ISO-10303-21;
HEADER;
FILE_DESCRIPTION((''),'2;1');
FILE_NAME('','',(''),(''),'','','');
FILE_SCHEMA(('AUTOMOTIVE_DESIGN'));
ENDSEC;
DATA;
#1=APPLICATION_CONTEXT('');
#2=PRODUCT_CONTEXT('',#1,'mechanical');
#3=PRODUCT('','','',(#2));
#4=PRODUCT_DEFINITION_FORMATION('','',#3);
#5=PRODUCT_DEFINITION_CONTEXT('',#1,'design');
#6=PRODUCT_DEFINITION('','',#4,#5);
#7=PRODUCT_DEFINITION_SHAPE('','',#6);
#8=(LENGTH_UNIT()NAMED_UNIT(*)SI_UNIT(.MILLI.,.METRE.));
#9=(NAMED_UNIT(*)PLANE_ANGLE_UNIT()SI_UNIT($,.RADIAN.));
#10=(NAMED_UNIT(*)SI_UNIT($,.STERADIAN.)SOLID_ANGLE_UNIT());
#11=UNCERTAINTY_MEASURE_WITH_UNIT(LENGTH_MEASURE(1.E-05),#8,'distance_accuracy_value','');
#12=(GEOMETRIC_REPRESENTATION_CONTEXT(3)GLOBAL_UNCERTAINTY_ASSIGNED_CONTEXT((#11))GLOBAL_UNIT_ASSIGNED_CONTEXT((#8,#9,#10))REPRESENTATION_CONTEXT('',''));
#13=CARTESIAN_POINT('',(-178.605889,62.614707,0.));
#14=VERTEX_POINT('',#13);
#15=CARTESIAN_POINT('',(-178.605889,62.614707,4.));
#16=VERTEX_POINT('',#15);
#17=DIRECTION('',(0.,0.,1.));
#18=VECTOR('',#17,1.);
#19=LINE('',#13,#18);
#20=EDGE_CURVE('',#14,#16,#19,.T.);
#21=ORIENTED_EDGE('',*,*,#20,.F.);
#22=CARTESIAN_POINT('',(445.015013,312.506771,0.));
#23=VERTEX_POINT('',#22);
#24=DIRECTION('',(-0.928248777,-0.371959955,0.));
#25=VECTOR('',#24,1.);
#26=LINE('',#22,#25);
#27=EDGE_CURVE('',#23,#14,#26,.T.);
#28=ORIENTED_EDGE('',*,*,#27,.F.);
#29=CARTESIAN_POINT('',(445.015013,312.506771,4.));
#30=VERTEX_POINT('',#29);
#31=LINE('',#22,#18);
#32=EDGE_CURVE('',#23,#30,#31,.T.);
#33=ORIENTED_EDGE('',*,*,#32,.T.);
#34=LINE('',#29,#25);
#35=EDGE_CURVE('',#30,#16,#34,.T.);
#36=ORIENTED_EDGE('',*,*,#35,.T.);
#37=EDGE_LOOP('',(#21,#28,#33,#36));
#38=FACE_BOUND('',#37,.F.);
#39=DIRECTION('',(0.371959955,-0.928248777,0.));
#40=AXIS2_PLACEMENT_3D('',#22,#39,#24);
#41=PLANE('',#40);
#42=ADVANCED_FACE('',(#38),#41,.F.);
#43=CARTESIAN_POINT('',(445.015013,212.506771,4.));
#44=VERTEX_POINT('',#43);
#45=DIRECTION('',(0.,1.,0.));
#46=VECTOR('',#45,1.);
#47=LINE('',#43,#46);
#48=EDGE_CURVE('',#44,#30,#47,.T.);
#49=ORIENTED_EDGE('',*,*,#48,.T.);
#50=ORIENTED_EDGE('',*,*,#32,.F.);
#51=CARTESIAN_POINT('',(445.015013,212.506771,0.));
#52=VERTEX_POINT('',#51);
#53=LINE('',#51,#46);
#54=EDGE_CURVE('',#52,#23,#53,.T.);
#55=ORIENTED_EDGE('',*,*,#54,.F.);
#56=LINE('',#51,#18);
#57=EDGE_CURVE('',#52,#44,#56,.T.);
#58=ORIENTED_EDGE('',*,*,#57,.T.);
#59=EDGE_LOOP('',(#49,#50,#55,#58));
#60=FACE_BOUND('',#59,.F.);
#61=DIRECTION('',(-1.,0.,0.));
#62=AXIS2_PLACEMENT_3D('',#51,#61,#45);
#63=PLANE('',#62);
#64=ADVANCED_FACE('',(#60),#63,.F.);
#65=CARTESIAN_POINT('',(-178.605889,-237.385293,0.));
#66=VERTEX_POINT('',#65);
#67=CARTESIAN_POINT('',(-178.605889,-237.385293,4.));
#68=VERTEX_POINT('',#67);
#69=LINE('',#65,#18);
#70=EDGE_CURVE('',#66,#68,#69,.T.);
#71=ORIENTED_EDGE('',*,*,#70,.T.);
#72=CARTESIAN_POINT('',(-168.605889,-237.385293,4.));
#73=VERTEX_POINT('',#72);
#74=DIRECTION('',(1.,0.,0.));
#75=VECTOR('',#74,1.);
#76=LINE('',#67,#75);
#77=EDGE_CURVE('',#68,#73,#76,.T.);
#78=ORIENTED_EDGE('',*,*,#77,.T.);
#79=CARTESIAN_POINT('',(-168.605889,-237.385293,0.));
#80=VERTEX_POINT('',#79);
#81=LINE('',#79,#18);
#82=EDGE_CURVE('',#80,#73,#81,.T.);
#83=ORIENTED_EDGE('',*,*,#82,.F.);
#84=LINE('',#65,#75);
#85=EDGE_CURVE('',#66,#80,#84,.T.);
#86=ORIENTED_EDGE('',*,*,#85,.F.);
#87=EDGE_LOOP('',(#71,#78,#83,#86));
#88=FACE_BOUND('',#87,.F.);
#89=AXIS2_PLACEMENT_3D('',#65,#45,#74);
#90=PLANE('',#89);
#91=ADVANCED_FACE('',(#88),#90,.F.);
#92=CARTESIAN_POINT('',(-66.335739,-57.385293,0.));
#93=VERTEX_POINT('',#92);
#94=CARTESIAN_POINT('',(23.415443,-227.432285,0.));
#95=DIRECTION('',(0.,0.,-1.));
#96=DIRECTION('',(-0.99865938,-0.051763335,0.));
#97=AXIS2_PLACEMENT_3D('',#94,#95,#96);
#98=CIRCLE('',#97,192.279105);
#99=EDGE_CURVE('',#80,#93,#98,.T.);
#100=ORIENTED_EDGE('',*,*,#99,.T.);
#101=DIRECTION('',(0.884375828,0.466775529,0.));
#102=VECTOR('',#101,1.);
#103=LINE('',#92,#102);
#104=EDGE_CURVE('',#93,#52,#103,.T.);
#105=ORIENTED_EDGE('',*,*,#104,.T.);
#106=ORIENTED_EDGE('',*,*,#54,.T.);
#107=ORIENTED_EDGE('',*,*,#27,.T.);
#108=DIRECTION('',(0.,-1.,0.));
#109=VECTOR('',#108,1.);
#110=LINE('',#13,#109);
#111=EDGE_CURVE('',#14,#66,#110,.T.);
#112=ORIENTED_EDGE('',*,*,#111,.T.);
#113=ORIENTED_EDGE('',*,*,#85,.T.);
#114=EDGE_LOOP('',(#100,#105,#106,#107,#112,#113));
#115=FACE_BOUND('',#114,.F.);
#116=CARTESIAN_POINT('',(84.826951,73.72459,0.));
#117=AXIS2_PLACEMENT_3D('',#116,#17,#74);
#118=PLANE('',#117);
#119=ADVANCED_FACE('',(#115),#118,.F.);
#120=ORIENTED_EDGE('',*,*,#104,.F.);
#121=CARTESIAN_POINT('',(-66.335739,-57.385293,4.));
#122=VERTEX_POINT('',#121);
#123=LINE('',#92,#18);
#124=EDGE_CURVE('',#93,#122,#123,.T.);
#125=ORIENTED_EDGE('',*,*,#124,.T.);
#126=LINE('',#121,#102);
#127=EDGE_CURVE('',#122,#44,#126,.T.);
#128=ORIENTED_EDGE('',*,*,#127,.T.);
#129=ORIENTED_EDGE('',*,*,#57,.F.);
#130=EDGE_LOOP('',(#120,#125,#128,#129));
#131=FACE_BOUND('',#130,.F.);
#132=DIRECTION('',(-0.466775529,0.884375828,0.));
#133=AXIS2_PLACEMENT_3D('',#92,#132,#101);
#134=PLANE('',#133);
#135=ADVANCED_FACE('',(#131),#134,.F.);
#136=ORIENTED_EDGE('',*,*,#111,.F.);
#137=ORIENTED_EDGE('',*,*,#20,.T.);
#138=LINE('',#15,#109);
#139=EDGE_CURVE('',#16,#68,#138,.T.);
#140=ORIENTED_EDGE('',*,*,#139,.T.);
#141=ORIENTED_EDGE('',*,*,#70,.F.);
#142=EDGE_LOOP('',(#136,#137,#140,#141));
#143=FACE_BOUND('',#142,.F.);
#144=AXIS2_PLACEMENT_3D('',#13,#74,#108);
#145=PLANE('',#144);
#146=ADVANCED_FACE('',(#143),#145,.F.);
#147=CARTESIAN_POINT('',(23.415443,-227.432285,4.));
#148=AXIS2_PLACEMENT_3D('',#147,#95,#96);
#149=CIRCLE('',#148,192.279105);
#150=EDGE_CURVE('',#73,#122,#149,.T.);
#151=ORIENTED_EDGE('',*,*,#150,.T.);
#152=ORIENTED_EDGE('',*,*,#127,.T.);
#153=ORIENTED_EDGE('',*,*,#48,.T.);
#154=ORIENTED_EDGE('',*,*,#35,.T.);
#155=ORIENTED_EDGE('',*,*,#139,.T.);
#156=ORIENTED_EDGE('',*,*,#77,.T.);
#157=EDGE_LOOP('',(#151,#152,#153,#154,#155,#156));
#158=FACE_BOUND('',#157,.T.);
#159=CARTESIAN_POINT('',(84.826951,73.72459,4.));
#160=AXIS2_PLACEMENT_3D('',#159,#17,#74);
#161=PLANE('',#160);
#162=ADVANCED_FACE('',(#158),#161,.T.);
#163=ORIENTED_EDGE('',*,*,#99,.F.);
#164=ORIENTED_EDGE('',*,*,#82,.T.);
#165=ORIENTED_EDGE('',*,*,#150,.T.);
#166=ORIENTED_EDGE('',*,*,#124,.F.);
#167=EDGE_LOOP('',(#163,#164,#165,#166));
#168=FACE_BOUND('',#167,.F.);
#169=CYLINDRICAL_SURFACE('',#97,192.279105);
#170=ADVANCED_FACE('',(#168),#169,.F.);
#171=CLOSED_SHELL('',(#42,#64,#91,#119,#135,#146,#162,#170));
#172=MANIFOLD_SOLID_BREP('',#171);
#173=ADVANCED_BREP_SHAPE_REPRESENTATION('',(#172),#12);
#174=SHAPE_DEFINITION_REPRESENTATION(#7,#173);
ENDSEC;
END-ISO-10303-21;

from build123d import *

# Parameters (mm, degrees)
F1_DEPTH = 4


with BuildPart() as f1:
    # F0 (on Top) → F1 (new body)
    with BuildSketch(Plane.XY):
        with BuildLine():
            ThreePointArc((-168.605889, -237.385293), (-143.763914, -132.446408), (-66.335739, -57.385293))
            Line((-66.335739, -57.385293), (445.015013, 212.506771))
            Line((445.015013, 212.506771), (445.015013, 312.506771))
            Line((445.015013, 312.506771), (-178.605889, 62.614707))
            Line((-178.605889, 62.614707), (-178.605889, -237.385293))
            Line((-178.605889, -237.385293), (-168.605889, -237.385293))
        make_face()
    extrude(amount=F1_DEPTH)


solid = f1.part
